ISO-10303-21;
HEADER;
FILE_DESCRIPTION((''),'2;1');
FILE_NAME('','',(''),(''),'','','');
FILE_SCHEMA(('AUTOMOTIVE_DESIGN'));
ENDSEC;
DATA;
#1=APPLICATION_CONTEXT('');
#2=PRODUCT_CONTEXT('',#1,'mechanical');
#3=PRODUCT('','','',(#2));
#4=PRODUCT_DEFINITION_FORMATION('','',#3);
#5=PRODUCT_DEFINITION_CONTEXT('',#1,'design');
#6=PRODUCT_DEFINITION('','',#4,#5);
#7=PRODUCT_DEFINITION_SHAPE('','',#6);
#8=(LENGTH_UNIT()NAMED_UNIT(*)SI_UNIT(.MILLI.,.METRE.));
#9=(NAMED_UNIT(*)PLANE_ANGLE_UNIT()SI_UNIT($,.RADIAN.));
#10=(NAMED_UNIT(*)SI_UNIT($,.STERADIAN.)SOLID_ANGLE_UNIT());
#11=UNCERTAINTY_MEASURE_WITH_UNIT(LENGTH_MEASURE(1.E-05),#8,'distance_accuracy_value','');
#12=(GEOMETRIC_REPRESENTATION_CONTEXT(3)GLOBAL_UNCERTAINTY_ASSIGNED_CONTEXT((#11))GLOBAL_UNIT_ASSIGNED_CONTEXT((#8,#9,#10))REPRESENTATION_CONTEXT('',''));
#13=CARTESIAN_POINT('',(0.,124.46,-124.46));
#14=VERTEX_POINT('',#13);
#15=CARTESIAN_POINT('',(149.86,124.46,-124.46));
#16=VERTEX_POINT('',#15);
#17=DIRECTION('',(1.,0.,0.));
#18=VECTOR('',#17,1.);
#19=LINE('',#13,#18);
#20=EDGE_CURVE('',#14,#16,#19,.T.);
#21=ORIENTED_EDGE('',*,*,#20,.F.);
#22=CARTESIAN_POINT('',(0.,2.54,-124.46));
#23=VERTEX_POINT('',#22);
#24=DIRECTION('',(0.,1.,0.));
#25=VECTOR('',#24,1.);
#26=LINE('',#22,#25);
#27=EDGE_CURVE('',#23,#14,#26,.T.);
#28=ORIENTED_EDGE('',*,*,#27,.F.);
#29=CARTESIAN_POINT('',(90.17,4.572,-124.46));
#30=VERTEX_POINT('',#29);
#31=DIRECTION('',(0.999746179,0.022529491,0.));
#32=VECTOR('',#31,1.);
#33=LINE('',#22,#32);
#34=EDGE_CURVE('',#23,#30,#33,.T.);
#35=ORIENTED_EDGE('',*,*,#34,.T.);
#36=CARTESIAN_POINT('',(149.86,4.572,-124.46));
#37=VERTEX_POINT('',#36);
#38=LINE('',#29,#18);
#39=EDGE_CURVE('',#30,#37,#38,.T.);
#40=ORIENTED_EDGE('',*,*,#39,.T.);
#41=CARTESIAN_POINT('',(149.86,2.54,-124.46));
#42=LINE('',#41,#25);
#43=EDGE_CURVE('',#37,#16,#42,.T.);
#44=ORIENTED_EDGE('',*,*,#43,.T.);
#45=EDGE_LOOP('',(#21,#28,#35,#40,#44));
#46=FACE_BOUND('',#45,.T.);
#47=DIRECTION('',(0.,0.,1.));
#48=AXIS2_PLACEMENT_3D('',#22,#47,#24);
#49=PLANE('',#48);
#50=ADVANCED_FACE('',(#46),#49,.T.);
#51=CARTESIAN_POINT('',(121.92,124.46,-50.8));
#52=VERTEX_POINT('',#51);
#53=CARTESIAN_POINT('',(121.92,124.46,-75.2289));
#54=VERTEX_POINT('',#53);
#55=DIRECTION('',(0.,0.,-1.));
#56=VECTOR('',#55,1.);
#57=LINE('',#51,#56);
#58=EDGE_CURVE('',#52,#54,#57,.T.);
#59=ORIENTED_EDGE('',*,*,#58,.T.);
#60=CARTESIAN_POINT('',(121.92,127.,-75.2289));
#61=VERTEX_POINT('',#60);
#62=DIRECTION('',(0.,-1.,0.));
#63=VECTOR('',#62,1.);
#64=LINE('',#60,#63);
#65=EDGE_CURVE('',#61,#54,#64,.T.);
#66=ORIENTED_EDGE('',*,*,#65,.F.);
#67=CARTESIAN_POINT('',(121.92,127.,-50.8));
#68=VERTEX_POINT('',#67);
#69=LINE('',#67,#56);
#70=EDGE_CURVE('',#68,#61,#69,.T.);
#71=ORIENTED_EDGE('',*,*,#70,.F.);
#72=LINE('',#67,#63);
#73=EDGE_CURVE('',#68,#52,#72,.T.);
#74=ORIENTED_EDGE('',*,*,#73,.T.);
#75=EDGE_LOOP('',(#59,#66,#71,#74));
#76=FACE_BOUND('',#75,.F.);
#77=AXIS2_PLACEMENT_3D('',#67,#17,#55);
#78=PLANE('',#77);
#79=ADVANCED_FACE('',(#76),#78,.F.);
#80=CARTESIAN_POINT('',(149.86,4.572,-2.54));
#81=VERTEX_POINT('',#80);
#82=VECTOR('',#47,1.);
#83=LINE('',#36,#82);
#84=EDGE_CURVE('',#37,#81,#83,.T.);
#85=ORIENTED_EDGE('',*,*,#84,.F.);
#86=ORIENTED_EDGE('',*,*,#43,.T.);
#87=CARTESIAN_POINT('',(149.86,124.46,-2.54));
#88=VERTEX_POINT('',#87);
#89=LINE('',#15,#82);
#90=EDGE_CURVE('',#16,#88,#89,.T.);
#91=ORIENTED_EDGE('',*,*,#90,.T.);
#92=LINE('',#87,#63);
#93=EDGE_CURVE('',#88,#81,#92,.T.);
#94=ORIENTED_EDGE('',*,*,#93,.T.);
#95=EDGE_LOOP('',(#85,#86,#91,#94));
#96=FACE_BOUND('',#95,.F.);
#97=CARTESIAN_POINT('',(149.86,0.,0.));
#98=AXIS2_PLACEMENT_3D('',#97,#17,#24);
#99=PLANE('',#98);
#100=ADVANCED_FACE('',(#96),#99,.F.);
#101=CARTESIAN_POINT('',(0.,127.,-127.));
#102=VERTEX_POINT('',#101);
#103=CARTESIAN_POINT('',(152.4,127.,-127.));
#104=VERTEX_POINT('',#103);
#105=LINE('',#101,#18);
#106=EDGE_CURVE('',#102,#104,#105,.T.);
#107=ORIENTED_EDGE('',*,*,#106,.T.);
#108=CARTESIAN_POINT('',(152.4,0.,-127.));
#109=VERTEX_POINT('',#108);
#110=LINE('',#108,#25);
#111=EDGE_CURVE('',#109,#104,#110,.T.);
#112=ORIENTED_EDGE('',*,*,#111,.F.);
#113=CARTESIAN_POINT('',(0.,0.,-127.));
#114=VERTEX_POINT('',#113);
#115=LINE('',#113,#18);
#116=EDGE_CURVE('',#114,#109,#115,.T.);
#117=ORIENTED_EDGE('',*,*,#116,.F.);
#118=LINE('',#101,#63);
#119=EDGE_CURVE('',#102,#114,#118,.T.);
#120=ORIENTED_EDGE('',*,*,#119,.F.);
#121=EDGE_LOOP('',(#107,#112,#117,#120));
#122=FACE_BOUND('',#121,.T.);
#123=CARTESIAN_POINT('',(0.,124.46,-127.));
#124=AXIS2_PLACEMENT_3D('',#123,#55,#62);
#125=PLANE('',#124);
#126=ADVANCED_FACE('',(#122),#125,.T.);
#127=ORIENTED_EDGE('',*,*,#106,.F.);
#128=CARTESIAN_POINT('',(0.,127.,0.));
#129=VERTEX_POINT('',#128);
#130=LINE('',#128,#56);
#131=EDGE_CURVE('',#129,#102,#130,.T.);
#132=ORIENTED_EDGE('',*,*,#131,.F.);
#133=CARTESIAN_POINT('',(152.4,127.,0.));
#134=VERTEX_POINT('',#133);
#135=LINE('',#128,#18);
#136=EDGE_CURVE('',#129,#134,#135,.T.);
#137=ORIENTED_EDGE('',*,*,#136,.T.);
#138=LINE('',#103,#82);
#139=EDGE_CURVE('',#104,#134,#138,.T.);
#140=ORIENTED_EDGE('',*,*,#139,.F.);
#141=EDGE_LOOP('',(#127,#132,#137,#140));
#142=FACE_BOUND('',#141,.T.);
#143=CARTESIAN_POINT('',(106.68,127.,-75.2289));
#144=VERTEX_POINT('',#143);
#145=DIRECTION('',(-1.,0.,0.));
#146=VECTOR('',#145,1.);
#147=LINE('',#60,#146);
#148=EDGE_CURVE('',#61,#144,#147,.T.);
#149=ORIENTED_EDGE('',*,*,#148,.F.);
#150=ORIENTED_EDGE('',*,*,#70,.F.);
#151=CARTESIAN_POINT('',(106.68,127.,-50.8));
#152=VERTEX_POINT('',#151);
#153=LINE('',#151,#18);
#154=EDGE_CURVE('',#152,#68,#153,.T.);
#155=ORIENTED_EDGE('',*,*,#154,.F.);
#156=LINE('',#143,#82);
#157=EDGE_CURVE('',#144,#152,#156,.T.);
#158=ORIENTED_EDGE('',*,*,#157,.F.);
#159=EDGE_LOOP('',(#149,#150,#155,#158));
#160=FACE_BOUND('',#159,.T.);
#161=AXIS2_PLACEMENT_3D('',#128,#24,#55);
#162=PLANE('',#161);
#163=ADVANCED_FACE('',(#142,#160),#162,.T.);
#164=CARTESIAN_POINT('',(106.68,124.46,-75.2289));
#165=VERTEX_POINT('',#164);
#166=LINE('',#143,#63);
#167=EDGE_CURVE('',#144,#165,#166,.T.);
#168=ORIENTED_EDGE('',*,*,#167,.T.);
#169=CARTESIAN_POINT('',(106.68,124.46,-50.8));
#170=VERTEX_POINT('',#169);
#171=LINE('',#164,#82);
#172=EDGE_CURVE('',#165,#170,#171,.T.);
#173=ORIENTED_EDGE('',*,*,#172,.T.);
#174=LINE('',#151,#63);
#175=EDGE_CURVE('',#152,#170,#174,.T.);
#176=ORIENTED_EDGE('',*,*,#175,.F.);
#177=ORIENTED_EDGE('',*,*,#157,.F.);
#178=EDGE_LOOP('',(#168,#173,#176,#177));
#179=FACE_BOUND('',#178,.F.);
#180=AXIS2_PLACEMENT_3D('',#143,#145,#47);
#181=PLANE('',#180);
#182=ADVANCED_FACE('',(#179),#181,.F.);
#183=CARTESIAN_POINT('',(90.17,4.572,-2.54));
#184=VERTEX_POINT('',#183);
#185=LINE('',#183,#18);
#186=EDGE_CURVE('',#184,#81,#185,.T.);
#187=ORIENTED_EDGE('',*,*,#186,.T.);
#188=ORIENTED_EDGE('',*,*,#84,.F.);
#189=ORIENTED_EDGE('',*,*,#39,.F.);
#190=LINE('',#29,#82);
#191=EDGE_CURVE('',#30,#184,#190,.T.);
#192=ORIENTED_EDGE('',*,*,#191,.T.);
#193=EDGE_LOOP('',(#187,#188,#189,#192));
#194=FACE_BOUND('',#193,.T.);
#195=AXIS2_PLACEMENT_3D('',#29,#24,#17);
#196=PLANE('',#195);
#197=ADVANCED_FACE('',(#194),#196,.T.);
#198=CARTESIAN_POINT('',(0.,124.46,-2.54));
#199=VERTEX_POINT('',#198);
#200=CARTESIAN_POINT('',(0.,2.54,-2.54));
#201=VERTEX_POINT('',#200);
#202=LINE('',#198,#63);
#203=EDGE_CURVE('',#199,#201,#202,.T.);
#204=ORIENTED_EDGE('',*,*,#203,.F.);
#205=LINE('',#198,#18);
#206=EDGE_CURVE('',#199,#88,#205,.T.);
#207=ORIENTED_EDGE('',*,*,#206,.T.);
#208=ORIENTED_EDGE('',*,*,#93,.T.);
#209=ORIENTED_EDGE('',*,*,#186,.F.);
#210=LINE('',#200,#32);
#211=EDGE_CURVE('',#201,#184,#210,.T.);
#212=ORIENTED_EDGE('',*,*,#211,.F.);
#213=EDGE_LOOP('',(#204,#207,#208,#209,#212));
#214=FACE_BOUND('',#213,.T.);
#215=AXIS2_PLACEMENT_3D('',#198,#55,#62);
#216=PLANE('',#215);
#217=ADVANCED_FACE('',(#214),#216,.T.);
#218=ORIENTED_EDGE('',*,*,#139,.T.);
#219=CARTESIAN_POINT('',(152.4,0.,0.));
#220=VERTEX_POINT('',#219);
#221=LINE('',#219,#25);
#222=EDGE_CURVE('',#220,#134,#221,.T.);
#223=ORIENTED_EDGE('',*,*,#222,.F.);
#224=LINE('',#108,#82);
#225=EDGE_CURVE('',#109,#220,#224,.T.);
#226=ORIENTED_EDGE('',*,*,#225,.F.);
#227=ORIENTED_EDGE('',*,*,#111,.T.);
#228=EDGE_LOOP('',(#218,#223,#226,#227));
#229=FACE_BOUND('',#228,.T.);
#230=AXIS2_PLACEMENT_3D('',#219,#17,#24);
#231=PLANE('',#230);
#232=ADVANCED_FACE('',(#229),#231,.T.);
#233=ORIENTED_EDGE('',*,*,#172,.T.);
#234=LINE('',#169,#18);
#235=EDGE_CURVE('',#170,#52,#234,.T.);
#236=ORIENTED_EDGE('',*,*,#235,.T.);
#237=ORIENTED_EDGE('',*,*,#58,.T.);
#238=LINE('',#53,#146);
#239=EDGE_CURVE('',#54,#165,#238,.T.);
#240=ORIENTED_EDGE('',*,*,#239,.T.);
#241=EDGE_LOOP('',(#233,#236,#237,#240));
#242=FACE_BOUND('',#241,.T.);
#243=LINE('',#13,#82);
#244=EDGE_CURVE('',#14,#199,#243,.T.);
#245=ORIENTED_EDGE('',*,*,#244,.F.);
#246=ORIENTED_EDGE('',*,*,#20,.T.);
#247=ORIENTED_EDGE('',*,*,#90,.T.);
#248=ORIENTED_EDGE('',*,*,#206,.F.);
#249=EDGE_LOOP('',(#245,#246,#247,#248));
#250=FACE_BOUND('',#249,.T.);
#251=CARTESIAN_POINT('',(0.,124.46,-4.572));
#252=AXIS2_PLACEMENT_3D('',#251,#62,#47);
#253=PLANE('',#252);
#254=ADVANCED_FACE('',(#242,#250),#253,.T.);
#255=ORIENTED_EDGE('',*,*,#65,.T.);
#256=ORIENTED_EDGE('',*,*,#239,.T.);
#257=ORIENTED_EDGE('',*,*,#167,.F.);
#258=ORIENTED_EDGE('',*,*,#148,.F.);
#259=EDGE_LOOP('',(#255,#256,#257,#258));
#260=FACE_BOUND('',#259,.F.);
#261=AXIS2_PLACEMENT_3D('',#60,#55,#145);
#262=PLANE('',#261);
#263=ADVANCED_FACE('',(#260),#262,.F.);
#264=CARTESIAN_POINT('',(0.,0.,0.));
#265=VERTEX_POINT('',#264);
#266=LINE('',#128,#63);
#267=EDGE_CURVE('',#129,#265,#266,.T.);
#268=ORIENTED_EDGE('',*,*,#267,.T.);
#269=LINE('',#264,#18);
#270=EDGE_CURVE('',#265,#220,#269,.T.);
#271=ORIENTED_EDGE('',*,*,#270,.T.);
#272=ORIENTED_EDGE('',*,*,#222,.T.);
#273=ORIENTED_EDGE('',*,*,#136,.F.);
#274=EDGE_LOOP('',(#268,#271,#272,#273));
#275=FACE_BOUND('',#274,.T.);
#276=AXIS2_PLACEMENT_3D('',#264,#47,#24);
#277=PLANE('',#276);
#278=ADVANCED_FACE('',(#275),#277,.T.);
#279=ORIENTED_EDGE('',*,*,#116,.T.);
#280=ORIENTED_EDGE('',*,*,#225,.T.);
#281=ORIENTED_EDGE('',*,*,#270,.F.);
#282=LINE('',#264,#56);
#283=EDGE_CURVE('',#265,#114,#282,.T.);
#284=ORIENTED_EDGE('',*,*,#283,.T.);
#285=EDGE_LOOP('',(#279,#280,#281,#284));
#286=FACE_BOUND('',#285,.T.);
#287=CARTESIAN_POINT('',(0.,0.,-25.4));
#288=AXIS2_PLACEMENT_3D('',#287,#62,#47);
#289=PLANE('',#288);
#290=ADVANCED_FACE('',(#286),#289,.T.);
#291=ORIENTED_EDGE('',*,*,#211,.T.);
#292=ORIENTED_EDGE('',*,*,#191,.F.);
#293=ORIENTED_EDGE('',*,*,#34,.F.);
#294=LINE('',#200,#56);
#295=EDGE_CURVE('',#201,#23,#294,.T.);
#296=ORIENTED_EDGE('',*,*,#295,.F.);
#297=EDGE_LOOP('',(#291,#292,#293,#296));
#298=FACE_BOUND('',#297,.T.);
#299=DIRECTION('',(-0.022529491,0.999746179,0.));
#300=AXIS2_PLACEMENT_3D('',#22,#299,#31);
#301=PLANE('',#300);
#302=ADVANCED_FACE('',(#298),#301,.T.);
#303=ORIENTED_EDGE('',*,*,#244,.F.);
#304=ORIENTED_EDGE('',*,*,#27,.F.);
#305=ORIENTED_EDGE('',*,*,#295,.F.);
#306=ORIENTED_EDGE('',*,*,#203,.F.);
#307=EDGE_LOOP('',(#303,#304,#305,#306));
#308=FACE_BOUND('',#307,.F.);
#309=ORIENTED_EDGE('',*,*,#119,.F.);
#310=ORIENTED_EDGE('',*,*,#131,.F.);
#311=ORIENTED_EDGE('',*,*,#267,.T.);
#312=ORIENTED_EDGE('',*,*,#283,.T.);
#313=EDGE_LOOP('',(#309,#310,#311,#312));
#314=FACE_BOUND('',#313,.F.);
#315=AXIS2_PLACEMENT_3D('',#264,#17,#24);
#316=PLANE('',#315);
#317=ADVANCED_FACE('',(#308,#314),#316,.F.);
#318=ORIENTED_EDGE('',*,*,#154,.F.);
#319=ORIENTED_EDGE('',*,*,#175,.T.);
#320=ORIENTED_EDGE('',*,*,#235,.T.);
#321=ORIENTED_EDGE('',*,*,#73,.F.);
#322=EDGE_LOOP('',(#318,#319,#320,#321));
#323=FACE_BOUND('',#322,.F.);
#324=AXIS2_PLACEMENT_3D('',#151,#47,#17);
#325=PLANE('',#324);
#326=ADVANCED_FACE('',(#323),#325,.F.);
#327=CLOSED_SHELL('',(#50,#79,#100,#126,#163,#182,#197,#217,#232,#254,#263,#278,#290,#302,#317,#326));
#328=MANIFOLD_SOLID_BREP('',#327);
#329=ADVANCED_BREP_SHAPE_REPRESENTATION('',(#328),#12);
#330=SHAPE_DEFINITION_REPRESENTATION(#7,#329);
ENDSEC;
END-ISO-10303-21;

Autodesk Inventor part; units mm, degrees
ref_plane "YZ Plane" through (0, 0, 0) normal (1, 0, 0) x (0, 1, 0)
ref_plane "XZ Plane" through (0, 0, 0) normal (0, 1, 0) x (-1, 0, 0)
ref_plane "XY Plane" through (0, 0, 0) normal (0, 0, 1) x (1, 0, 0)
sketch "Sketch1" plane through (0, 0, 0) normal (1, 0, 0) x (0, 1, 0)
  line L0 (0, 0) -> (127, 0)
  line L1 (127, 0) -> (127, -127)
  line L2 (127, -127) -> (0, -127)
  line L3 (0, -127) -> (0, 0)
  line L4 (127, -127) -> (124.46, -127)
  line L5 (124.46, -127) -> (124.46, -124.46)
  line L6 (124.46, -124.46) -> (127, -124.46)
  line L7 (127, -124.46) -> (127, -127)
  line L8 (127, 0) -> (124.46, 0)
  line L9 (124.46, 0) -> (124.46, -2.54)
  line L10 (124.46, -2.54) -> (127, -2.54)
  line L11 (127, -2.54) -> (127, 0)
  line L12 (124.46, -2.54) -> (2.54, -2.54)
  line L13 (2.54, -2.54) -> (2.54, -124.46)
  line L14 (2.54, -124.46) -> (124.46, -124.46)
  line L15 (124.46, -124.46) -> (124.46, -2.54)
  line L16 (124.46, -124.46) -> (122.682, -124.46)
  line L17 (124.46, -2.54) -> (68.58, -2.54)
  line L18 (124.46, -4.572) -> (124.46, -2.54)
  line L19 (0, 0) -> (50.8, 0)
  line L20 (0, -25.4) -> (0, 0)
  line L21 (127, 0) -> (76.2, 0)
  line L22 (127, -25.4) -> (127, 0)
extrude "Extrusion1" add sketch "Sketch1" along normal blind 152.4
extrude "Extrusion2" cut sketch "Sketch1" along normal blind 149.86 contours L15 L14 L13 L12
sketch "Sketch10" plane through (0, 2.54, -124.46) normal (0, 0, 1) x (1, 0, 0)
  line L0 (0, 0) -> (149.86, 0) projected
  line L1 (149.86, 0) -> (90.17, 0)
  line L2 (90.17, 0) -> (90.17, 2.032)
  line L3 (90.17, 2.032) -> (149.86, 2.032)
  line L4 (149.86, 2.032) -> (149.86, 0)
  line L5 (0, 0) -> (90.17, 2.032)
  point P0 (0, -2.54)
  dimension "d22" = 59.69
  dimension "d23" = 2.032
extrude "Extrusion5" add sketch "Sketch10" along normal blind 121.92
sketch "Sketch11" plane through (0, 127, 0) normal (0, 1, 0) x (1, 0, 0)
  line L0 (0, 0) -> (152.4, 0) projected
  line L1 (152.4, 0) -> (121.92, 0)
  line L2 (121.92, 0) -> (121.92, 50.8)
  line L3 (121.92, 50.8) -> (152.4, 50.8)
  line L4 (152.4, 50.8) -> (152.4, 0)
  line L5 (152.4, 126.0289) -> (121.92, 126.0289)
  line L6 (121.92, 126.0289) -> (121.92, 75.2289)
  line L7 (121.92, 75.2289) -> (152.4, 75.2289)
  line L8 (152.4, 75.2289) -> (152.4, 126.0289)
  line L9 (121.92, 75.2289) -> (106.68, 75.2289)
  line L10 (106.68, 75.2289) -> (106.68, 50.8)
  line L11 (106.68, 50.8) -> (121.92, 50.8)
  line L12 (121.92, 50.8) -> (121.92, 75.2289)
  dimension "d30" = 30.48
  dimension "d31" = 50.8
  dimension "d32" = 30.48
  dimension "d33" = 50.8
  dimension "d34" = 15.24
extrude "Extrusion6" cut sketch "Sketch11" against normal blind 2.54 contours L11 L10 L9 L12
properties part number "box-1"
